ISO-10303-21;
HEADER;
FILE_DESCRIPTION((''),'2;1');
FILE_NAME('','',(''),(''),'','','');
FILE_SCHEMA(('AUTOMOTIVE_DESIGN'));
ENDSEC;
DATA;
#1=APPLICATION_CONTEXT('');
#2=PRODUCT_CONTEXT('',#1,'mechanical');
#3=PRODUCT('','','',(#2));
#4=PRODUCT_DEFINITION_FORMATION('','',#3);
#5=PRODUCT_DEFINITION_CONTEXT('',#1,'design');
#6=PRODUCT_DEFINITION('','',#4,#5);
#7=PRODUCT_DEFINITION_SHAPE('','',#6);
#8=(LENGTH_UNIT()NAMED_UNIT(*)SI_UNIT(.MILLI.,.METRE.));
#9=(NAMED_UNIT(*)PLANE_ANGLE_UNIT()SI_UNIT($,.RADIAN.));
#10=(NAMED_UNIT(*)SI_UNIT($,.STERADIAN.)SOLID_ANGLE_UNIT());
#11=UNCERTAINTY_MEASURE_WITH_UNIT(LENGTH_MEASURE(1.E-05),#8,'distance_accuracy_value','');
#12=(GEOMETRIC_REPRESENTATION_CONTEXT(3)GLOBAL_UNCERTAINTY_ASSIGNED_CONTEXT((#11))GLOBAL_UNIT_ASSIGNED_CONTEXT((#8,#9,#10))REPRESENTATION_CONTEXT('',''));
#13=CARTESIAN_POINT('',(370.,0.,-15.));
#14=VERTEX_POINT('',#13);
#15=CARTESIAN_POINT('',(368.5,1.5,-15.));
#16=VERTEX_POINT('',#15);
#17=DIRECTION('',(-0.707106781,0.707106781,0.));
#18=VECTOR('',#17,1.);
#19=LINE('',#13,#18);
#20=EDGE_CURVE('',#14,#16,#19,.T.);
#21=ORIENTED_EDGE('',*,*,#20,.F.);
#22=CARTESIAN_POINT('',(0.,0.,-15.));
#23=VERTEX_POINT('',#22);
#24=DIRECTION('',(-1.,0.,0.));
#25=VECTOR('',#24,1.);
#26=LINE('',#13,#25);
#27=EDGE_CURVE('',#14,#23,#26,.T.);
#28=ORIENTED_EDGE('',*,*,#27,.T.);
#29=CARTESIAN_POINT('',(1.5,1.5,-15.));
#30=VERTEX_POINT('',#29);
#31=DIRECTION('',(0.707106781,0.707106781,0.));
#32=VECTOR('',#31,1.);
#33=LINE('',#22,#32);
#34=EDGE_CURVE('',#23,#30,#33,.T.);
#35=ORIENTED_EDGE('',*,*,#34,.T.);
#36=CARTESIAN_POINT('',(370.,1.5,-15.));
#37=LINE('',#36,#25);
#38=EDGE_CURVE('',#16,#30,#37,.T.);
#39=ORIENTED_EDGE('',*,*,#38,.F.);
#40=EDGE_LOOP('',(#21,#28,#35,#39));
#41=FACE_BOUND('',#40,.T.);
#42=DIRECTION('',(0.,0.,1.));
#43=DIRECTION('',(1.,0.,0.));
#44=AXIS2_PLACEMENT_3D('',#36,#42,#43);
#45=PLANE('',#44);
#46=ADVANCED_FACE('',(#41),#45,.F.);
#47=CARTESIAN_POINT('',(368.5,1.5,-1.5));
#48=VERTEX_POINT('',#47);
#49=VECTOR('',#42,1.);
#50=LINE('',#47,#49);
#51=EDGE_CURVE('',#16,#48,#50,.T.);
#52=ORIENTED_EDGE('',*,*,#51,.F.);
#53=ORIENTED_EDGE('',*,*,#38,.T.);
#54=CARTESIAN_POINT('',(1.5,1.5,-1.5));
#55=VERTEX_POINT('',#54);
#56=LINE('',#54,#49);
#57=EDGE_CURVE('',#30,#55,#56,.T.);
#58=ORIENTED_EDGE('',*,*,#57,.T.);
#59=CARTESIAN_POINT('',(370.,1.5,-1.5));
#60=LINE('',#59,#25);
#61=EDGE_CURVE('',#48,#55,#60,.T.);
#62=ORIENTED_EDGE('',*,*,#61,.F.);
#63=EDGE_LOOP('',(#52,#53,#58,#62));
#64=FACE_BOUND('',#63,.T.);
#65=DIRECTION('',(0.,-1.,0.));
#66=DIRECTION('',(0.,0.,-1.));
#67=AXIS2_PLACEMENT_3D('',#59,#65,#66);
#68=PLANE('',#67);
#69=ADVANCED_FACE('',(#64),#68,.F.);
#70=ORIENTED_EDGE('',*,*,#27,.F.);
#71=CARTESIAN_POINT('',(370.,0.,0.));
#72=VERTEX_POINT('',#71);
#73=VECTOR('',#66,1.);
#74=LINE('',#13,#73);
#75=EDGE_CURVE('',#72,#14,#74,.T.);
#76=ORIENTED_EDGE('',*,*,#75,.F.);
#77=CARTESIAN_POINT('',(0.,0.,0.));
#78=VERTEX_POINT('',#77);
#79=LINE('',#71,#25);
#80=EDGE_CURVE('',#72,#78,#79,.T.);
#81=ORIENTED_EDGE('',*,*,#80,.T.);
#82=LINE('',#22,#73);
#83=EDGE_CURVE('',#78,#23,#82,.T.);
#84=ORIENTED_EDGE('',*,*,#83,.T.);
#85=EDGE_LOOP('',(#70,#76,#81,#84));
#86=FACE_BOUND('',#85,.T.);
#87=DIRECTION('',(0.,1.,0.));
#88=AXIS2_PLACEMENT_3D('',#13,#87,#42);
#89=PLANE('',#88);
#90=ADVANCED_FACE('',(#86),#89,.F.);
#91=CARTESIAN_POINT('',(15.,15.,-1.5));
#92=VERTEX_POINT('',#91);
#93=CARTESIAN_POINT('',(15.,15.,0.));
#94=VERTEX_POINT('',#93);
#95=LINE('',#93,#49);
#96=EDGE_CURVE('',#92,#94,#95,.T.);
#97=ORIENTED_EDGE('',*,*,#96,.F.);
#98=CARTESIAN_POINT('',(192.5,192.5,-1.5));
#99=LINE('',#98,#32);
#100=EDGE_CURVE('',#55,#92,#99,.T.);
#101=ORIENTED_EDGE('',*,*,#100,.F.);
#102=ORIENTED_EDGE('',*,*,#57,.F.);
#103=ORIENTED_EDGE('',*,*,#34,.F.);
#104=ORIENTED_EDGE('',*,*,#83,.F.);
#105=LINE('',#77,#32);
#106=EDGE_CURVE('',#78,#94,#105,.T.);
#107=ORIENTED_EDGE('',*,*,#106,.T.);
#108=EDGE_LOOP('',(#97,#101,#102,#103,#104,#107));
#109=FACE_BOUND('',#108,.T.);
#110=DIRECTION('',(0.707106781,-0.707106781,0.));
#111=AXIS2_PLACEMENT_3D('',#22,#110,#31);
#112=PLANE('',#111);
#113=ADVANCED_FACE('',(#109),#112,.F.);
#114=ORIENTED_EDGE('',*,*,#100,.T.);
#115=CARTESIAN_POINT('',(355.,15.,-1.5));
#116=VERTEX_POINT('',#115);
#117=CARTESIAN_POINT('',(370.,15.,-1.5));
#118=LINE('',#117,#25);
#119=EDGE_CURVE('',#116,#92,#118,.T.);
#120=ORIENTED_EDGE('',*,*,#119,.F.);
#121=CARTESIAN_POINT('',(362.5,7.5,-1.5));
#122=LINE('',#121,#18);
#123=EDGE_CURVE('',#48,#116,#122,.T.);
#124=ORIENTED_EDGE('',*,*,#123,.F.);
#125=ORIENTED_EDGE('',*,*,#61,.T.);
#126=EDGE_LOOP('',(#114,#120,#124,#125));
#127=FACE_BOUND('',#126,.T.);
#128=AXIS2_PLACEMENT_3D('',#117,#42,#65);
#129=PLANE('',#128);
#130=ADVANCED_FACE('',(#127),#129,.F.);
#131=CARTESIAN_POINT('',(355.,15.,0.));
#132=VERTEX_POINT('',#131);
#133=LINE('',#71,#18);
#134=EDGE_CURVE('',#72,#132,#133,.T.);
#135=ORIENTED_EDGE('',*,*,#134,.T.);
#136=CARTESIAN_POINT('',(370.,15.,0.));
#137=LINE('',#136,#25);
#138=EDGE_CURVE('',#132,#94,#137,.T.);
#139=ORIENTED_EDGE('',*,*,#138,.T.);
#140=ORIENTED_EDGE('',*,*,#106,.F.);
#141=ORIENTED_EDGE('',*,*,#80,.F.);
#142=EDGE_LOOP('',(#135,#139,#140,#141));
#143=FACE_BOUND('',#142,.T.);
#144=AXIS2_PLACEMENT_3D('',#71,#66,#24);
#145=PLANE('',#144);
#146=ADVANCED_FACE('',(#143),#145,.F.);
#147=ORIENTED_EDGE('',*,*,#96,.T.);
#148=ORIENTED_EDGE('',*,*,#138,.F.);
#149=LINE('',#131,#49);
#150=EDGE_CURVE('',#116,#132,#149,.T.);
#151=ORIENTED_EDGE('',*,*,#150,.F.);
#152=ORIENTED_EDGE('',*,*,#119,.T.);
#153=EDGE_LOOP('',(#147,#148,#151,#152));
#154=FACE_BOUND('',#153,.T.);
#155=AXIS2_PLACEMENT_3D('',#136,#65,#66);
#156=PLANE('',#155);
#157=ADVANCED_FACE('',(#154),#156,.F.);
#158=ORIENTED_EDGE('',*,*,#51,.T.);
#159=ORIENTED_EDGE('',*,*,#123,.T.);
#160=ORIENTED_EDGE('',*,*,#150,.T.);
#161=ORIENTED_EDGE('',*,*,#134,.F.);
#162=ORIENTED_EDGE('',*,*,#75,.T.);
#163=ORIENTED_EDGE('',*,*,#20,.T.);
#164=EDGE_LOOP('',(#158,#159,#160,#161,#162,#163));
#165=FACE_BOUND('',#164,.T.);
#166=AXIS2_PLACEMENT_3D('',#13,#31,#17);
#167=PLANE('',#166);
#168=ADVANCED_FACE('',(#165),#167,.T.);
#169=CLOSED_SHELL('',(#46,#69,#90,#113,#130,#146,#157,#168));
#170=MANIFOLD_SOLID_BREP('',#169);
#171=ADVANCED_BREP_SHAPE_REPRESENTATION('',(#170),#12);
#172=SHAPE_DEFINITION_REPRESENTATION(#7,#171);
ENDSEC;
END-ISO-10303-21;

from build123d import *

# Parameters (mm, degrees)
EXTRUDE_1_DEPTH     = 370
CUT_EXTRUDE_1_DEPTH = 16


with BuildPart() as part:
    # Эскиз1 → Бобышка-Вытянуть1 (new body)
    with BuildSketch(Plane(origin=(0, 0, 0), x_dir=(0, 0, -1), z_dir=(1, 0, 0))):
        Polygon((0, 0), (0, 15), (1.5, 15), (1.5, 1.5), (15, 1.5), (15, 0), align=None)
    extrude(amount=EXTRUDE_1_DEPTH)

    # Эскиз2 → Вырез-Вытянуть1 (cut, through all)
    with BuildSketch(Plane.XY):
        Polygon((0, 0), (22.757405311, 22.757405311), (0, 22.757405311), align=None)
    cut_extrude_1 = extrude(amount=-CUT_EXTRUDE_1_DEPTH, mode=Mode.SUBTRACT)

    # Зеркальное отражение1: Вырез-Вытянуть1 across plane
    add(cut_extrude_1.mirror(Plane.ZY.offset(-185)), mode=Mode.SUBTRACT)


solid = part.part
